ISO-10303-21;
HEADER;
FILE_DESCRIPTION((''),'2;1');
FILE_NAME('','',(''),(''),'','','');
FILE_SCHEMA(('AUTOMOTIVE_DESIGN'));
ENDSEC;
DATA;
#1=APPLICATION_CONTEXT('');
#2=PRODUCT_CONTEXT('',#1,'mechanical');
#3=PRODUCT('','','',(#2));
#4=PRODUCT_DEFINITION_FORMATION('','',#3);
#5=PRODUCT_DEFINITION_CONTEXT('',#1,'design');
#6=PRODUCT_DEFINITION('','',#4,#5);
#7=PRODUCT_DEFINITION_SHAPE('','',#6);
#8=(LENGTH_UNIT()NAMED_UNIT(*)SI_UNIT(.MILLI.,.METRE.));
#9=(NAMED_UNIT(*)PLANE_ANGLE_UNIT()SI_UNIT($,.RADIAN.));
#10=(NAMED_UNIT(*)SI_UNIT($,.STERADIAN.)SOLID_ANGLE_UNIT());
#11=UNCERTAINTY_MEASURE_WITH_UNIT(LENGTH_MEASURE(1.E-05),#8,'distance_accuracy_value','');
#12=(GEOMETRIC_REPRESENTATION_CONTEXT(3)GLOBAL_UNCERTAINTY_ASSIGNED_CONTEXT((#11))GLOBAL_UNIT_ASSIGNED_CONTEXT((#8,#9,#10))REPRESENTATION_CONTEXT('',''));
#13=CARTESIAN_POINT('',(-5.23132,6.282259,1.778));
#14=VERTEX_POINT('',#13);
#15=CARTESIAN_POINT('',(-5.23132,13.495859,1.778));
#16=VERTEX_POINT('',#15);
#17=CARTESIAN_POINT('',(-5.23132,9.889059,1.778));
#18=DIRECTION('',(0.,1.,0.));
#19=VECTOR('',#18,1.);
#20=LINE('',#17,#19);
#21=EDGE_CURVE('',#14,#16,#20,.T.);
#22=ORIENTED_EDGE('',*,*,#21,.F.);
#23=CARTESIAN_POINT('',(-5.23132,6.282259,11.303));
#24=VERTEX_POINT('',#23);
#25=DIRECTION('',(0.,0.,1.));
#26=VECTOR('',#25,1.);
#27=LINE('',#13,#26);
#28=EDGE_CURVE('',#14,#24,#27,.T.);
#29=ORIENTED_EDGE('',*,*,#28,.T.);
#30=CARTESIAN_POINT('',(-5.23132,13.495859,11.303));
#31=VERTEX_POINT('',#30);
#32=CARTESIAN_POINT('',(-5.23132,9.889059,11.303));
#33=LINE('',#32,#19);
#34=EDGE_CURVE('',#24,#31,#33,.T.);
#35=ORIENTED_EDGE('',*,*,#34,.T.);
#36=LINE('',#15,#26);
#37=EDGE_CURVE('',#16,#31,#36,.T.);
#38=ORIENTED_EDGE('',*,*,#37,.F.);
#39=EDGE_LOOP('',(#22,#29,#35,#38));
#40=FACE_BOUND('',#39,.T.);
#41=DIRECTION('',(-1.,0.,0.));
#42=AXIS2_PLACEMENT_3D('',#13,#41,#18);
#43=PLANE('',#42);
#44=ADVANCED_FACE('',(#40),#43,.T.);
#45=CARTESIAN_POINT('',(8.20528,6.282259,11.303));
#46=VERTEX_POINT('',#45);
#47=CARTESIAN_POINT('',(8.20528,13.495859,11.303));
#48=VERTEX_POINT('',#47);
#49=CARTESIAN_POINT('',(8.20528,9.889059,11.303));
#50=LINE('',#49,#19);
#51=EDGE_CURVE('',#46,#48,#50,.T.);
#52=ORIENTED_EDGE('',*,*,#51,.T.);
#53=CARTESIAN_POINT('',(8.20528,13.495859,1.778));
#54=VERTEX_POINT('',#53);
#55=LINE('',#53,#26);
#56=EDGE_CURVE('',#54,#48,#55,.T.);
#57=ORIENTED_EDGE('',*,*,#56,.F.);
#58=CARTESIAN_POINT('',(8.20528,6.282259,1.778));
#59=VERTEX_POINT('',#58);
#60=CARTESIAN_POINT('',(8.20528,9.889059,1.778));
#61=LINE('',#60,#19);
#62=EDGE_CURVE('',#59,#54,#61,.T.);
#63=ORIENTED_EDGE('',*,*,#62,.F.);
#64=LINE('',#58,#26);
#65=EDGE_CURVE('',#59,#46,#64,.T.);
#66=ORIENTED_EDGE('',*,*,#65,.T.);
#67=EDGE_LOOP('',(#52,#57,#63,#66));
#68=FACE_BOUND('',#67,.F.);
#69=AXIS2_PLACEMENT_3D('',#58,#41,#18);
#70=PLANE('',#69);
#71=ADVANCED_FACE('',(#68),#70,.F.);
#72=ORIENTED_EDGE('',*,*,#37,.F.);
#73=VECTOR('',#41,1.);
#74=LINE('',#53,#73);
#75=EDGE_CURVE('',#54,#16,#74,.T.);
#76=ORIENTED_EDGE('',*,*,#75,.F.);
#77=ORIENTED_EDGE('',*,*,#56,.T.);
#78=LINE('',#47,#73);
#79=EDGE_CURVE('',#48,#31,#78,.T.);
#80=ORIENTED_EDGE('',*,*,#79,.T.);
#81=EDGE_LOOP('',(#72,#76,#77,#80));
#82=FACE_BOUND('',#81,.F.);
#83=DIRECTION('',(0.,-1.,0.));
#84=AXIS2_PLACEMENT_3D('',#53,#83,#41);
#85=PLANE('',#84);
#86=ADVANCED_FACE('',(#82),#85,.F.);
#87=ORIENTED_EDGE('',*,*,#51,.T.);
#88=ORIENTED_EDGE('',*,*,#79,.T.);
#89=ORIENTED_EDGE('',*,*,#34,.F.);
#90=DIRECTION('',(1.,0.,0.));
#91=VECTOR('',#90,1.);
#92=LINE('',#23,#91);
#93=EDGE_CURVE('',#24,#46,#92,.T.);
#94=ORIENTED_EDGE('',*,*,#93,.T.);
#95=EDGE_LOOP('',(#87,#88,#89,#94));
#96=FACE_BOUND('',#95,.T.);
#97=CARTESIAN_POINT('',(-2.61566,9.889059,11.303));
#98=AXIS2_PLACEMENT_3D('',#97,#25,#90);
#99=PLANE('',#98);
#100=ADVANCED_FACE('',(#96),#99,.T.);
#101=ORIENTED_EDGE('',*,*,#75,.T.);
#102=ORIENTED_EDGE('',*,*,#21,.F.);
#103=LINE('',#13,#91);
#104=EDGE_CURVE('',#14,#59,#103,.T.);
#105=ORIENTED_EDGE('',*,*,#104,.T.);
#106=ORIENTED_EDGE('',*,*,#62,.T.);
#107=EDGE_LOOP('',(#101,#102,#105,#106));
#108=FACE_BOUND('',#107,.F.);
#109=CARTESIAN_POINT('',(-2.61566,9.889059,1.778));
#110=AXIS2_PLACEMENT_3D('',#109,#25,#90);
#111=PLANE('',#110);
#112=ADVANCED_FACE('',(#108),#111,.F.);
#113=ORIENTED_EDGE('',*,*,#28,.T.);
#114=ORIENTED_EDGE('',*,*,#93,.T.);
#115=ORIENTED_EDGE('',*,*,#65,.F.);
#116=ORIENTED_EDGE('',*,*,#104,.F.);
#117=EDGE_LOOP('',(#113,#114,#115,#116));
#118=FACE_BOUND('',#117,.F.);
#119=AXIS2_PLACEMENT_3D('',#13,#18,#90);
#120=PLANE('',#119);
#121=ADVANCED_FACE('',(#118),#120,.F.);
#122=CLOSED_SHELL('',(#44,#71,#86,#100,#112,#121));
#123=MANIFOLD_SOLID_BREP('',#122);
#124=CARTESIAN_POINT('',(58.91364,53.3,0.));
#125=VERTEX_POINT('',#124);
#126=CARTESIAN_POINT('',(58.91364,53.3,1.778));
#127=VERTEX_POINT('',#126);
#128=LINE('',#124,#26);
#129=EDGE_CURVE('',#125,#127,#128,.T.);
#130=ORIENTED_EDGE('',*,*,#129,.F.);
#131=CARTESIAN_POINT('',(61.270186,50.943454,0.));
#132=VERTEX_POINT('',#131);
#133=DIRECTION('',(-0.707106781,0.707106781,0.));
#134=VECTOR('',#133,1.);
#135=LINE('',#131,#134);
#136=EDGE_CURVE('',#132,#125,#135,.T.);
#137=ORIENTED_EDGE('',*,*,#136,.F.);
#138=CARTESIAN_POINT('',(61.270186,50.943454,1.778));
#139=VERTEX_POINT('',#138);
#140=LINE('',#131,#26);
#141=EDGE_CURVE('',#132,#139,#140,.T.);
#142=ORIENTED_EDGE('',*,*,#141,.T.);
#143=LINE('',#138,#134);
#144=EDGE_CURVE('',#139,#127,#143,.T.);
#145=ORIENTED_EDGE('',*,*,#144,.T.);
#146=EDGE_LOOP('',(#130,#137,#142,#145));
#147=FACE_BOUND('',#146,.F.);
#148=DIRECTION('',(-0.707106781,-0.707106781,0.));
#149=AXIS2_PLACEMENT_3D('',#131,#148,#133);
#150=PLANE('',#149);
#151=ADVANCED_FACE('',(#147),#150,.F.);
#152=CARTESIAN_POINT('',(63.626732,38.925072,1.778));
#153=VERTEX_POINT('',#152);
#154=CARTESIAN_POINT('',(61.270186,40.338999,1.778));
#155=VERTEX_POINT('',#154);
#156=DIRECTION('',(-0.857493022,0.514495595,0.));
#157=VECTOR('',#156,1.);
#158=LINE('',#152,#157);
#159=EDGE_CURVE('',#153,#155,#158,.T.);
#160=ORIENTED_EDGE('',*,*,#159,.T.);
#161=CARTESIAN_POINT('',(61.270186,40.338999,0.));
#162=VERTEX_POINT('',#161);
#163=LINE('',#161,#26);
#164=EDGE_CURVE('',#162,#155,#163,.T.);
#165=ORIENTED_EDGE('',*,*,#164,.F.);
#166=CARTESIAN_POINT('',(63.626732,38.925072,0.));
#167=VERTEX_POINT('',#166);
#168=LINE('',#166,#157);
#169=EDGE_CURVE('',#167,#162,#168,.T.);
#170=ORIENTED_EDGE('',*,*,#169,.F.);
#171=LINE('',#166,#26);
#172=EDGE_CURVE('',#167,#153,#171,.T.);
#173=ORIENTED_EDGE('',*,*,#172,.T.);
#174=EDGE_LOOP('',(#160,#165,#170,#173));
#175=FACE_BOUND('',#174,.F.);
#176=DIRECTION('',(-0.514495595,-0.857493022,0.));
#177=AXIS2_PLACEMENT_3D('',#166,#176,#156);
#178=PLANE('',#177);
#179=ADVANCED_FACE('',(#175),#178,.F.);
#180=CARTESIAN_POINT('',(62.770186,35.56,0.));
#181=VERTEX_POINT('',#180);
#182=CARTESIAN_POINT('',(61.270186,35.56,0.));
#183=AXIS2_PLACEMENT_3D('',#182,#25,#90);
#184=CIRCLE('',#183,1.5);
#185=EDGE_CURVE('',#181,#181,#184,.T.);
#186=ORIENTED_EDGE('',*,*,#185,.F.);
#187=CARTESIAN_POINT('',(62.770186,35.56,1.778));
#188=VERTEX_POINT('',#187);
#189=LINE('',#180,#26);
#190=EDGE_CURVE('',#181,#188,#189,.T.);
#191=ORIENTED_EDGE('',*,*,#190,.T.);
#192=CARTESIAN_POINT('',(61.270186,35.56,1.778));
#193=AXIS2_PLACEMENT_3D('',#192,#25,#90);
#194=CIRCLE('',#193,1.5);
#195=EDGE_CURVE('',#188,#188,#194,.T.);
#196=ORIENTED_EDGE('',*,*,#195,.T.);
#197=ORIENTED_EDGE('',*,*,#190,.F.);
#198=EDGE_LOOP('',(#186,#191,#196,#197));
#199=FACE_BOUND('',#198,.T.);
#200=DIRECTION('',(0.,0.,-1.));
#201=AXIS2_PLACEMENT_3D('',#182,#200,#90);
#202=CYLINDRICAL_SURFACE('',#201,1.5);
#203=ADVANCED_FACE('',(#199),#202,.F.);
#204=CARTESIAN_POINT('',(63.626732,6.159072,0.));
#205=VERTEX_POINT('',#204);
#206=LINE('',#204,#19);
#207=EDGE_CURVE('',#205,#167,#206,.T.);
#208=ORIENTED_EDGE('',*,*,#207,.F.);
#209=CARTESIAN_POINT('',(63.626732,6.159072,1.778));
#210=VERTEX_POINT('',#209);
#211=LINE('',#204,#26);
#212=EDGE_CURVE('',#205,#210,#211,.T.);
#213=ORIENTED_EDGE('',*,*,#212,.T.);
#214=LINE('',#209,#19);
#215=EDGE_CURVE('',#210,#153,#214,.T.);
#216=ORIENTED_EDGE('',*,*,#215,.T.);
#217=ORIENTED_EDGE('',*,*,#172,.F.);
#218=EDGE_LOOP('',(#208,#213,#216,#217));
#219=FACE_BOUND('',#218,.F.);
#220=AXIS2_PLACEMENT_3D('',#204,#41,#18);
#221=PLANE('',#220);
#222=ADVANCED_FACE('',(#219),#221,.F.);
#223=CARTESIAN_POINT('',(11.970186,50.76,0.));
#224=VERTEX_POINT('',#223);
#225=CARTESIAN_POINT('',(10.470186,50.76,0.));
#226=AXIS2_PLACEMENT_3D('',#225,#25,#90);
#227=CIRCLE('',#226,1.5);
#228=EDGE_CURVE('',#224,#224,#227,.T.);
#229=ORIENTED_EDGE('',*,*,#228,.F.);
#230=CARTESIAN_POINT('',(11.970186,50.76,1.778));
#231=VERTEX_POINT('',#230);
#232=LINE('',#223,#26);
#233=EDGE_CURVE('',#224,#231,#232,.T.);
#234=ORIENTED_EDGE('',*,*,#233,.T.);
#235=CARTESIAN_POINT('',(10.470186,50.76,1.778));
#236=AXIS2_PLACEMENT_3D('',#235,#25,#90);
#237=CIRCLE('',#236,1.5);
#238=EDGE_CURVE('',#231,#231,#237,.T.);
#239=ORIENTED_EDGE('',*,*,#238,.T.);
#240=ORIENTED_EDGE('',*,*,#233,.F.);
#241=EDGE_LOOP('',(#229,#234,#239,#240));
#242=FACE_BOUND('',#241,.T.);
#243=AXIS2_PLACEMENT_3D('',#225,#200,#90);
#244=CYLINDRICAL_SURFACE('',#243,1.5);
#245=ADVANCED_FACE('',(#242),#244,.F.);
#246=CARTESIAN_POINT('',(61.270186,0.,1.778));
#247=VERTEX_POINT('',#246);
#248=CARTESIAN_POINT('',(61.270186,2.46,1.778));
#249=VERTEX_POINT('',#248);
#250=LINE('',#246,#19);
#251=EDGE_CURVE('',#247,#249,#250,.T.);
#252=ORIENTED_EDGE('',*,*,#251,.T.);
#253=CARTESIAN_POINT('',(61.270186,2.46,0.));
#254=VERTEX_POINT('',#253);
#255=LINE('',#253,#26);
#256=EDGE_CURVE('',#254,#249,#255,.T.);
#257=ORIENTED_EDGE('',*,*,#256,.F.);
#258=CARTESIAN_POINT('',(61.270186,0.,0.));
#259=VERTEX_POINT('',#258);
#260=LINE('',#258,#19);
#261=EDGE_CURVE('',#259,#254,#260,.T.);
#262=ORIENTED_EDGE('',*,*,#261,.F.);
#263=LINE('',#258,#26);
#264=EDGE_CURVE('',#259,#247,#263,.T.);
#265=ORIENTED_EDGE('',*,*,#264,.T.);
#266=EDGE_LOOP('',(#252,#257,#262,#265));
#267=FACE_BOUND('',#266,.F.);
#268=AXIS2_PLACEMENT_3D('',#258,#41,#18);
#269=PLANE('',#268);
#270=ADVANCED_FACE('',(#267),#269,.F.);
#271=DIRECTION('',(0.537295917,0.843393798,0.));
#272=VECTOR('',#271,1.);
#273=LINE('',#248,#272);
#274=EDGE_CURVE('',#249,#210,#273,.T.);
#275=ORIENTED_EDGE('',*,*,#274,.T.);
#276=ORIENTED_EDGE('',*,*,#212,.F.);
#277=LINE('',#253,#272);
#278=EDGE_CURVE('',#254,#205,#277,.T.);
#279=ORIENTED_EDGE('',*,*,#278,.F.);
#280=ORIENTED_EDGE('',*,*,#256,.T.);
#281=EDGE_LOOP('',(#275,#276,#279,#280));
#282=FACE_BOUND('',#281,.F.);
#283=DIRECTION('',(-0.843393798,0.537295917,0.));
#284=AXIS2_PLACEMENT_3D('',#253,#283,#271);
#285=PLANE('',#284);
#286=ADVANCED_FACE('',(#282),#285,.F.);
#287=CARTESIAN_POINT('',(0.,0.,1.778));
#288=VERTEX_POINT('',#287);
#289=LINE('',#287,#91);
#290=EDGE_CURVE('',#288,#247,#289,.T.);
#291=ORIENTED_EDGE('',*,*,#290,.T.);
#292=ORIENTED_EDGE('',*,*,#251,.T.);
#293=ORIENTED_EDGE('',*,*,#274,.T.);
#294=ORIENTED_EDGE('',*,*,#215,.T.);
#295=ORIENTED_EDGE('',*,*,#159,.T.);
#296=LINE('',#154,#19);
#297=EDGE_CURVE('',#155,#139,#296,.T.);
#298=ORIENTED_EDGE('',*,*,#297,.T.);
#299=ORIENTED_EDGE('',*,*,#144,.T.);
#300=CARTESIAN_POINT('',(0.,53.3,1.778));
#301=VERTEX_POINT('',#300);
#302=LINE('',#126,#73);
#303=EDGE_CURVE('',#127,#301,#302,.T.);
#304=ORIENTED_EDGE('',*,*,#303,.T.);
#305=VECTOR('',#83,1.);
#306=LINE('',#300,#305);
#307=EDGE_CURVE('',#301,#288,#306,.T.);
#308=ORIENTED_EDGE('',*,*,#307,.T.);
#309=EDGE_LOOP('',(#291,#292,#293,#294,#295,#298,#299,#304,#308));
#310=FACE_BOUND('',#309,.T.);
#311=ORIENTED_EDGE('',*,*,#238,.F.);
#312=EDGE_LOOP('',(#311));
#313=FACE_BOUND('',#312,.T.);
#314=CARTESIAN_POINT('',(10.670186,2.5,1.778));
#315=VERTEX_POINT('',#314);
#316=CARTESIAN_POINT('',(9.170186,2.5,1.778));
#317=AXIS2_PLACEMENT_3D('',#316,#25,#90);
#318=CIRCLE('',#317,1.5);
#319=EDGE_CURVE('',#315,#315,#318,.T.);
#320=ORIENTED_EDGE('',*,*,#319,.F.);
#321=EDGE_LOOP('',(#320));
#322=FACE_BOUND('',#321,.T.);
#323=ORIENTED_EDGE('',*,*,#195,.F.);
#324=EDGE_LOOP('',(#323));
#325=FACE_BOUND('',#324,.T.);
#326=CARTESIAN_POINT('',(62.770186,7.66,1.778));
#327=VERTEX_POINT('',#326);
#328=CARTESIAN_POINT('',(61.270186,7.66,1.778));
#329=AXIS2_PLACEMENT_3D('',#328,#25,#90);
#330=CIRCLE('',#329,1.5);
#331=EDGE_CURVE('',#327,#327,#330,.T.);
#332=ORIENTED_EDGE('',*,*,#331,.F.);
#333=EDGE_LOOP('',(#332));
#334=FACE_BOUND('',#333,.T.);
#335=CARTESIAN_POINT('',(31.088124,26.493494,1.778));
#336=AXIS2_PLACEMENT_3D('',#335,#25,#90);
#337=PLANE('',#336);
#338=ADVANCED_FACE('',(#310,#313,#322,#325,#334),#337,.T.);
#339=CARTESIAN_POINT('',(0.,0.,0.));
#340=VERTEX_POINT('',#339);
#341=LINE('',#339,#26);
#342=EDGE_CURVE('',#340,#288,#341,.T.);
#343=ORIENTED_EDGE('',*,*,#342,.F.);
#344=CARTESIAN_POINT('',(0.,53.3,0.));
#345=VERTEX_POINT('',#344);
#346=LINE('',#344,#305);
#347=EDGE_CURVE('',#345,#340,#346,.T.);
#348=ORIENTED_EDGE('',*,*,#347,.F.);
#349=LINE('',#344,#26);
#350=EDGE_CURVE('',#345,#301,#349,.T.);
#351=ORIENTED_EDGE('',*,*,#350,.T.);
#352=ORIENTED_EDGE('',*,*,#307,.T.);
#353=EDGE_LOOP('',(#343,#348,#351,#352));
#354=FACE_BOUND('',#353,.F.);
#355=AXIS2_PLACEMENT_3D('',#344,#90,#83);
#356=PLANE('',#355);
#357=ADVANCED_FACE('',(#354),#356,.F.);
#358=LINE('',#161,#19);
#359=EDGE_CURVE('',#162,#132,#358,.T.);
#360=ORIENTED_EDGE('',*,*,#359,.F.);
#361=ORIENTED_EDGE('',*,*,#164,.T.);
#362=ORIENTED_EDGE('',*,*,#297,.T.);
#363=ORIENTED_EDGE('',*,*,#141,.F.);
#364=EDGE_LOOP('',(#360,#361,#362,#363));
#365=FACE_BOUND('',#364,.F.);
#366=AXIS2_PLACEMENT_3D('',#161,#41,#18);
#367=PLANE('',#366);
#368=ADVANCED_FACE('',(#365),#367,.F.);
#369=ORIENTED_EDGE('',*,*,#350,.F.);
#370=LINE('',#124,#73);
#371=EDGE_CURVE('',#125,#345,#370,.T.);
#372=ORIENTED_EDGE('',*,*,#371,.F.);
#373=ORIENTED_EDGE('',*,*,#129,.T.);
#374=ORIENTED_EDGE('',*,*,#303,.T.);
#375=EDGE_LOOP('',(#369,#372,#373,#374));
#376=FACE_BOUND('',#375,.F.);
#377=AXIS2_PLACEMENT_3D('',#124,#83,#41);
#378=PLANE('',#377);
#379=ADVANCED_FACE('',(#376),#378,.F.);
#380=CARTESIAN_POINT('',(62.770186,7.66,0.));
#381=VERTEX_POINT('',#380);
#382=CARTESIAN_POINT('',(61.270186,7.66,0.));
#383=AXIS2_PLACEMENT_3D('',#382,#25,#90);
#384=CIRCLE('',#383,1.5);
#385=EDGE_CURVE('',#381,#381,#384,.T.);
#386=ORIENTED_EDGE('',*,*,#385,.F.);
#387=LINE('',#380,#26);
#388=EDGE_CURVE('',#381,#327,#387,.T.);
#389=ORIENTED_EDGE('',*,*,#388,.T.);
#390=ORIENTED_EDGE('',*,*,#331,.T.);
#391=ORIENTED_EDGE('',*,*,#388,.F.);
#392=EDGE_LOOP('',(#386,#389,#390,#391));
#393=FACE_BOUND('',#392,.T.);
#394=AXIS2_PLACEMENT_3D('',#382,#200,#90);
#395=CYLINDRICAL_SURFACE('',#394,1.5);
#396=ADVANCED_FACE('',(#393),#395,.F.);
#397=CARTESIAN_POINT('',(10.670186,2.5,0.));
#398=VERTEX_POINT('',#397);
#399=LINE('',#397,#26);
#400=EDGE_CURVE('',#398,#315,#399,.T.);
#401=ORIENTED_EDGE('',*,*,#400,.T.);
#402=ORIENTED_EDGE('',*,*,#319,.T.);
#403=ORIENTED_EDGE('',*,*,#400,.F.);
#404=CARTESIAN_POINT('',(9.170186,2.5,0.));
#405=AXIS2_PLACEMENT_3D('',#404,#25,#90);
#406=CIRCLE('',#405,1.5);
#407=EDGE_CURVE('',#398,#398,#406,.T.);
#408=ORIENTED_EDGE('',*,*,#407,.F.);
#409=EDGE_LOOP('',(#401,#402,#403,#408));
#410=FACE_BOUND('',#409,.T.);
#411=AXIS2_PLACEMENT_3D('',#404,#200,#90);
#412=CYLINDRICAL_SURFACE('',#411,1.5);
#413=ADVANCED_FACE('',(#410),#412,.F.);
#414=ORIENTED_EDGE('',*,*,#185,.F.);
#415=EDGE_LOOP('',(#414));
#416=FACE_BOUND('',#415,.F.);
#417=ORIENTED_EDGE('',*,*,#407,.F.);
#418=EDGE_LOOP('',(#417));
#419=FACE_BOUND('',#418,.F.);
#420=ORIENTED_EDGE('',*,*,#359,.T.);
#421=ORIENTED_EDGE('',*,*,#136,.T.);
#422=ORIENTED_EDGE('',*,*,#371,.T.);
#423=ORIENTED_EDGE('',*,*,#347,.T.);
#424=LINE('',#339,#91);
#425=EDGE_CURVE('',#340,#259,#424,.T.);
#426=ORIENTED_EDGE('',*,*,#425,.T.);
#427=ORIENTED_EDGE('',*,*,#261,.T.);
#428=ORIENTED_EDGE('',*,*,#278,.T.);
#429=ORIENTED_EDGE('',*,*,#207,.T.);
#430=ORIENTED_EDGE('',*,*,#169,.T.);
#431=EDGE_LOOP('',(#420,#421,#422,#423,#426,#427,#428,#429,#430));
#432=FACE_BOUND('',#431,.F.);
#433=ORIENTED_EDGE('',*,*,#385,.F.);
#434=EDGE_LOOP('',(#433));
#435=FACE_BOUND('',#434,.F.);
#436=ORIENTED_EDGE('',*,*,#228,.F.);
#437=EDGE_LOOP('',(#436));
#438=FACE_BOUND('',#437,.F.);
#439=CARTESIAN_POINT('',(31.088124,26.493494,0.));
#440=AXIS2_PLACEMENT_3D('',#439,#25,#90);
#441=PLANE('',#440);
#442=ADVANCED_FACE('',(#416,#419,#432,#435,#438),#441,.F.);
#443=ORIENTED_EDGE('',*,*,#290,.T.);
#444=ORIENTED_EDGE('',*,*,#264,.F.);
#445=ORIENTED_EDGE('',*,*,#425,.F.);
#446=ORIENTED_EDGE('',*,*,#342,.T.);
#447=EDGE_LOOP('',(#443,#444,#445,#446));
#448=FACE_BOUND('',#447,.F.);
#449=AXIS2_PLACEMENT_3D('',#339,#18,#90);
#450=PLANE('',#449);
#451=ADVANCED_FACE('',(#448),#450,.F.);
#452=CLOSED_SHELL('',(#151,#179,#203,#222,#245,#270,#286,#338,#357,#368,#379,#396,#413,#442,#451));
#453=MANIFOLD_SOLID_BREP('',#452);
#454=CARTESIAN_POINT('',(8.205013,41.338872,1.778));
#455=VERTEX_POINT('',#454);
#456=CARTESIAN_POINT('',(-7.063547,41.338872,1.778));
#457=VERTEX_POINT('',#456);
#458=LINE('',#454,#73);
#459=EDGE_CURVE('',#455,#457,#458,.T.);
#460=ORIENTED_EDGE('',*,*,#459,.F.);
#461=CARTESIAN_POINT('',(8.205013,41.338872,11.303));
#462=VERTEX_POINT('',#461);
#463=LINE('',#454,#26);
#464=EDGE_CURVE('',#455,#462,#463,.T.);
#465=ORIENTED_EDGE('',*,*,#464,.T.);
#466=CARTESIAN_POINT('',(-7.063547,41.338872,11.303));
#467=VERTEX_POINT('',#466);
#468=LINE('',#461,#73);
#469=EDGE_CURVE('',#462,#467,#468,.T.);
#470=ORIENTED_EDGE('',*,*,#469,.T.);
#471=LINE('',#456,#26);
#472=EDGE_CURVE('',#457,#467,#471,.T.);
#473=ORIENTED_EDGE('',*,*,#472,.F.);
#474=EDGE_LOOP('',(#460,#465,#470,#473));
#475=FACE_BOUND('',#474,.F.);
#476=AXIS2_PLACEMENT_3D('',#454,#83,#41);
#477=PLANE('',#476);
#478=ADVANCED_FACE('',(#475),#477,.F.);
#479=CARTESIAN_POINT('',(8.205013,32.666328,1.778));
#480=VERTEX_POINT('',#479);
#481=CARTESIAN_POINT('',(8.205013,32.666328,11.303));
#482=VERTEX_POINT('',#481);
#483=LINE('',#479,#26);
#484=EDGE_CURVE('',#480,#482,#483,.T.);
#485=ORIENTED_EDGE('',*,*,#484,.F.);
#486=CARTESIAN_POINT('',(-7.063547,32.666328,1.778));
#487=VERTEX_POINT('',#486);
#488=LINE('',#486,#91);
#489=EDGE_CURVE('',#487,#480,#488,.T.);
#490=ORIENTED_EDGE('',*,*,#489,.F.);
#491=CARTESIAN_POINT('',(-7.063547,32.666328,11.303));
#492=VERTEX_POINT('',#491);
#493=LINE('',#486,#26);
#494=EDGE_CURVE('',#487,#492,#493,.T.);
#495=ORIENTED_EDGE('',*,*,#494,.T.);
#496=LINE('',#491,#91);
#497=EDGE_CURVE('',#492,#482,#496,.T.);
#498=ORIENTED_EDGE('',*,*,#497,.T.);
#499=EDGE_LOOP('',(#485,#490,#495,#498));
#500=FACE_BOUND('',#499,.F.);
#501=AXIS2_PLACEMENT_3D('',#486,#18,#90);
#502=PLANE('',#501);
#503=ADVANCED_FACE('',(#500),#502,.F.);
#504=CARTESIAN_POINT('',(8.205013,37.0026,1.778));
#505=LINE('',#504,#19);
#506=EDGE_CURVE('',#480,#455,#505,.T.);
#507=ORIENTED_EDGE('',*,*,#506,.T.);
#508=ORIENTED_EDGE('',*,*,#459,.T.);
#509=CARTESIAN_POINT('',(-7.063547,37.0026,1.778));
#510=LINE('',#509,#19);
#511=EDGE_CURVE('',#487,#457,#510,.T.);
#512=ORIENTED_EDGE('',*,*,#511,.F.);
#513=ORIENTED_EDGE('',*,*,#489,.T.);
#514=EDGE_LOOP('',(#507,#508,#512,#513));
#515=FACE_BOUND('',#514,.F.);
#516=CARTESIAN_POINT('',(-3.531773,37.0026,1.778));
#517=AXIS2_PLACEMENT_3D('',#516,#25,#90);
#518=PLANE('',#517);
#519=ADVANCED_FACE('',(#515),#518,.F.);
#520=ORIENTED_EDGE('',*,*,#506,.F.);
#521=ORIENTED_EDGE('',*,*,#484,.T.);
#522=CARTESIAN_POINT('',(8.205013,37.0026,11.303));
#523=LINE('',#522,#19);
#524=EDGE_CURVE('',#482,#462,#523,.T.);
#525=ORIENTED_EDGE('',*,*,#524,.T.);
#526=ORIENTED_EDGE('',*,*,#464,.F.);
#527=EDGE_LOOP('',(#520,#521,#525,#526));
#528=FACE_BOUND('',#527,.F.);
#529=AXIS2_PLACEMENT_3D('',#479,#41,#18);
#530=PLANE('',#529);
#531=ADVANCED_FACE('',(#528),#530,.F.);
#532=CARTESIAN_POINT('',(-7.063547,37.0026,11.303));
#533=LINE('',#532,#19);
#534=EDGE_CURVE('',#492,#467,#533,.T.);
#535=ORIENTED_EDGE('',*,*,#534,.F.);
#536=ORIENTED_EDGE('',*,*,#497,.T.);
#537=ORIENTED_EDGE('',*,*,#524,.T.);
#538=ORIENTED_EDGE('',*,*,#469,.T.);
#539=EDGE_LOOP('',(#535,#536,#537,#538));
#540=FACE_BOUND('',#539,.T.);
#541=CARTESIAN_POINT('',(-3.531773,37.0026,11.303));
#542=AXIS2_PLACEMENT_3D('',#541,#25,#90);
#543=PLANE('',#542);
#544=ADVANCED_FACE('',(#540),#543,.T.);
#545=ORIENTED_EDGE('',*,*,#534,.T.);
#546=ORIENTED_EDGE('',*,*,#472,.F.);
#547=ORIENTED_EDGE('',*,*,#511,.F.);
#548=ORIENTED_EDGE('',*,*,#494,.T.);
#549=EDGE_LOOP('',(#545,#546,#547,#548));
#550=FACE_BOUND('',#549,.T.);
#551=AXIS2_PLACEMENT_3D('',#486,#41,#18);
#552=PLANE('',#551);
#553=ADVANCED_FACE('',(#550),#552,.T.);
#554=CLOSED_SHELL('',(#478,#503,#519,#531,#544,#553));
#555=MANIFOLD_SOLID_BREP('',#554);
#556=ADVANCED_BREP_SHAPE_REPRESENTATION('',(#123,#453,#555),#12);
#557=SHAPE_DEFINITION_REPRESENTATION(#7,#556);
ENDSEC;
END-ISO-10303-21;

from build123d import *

# Parameters (mm, degrees)
F0_R     = 1.5
F1_DEPTH = 1.778
F2_W     = 7.063547
F2_H     = 8.672543
F2_W_2   = 5.23132
F2_H_2   = 7.2136
F2_W_3   = 8.205013
F2_W_4   = 8.20528
F3_DEPTH = 9.525


with BuildPart() as f1:
    # F0 (on Top) → F1 (new body)
    with BuildSketch(Plane.XY):
        Polygon((0, 53.3), (0, 0), (61.270186, 0), (61.270186, 2.46), (63.626732, 6.159072), (63.626732, 38.925072), (61.270186, 40.338999), (61.270186, 50.943454), (58.91364, 53.3), align=None)
        with Locations((9.170186, 2.5)):
            Circle(F0_R, mode=Mode.SUBTRACT)
        with Locations((61.270186, 7.66)):
            Circle(F0_R, mode=Mode.SUBTRACT)
        with Locations((10.470186, 50.76)):
            Circle(F0_R, mode=Mode.SUBTRACT)
        with Locations((61.270186, 35.56)):
            Circle(F0_R, mode=Mode.SUBTRACT)
    extrude(amount=F1_DEPTH)


with BuildPart() as f3:
    # F2 (on face) → F3 (new body)
    with BuildSketch(Plane.XY.offset(1.778)):
        with Locations((-3.531773, 37.0026)):
            Rectangle(F2_W, F2_H)
        with Locations((-2.61566, 9.889059)):
            Rectangle(F2_W_2, F2_H_2)
        with Locations((4.102506, 37.0026)):
            Rectangle(F2_W_3, F2_H)
        with Locations((4.10264, 9.889059)):
            Rectangle(F2_W_4, F2_H_2)
    extrude(amount=F3_DEPTH)


solid = Compound([f1.part, f3.part])
